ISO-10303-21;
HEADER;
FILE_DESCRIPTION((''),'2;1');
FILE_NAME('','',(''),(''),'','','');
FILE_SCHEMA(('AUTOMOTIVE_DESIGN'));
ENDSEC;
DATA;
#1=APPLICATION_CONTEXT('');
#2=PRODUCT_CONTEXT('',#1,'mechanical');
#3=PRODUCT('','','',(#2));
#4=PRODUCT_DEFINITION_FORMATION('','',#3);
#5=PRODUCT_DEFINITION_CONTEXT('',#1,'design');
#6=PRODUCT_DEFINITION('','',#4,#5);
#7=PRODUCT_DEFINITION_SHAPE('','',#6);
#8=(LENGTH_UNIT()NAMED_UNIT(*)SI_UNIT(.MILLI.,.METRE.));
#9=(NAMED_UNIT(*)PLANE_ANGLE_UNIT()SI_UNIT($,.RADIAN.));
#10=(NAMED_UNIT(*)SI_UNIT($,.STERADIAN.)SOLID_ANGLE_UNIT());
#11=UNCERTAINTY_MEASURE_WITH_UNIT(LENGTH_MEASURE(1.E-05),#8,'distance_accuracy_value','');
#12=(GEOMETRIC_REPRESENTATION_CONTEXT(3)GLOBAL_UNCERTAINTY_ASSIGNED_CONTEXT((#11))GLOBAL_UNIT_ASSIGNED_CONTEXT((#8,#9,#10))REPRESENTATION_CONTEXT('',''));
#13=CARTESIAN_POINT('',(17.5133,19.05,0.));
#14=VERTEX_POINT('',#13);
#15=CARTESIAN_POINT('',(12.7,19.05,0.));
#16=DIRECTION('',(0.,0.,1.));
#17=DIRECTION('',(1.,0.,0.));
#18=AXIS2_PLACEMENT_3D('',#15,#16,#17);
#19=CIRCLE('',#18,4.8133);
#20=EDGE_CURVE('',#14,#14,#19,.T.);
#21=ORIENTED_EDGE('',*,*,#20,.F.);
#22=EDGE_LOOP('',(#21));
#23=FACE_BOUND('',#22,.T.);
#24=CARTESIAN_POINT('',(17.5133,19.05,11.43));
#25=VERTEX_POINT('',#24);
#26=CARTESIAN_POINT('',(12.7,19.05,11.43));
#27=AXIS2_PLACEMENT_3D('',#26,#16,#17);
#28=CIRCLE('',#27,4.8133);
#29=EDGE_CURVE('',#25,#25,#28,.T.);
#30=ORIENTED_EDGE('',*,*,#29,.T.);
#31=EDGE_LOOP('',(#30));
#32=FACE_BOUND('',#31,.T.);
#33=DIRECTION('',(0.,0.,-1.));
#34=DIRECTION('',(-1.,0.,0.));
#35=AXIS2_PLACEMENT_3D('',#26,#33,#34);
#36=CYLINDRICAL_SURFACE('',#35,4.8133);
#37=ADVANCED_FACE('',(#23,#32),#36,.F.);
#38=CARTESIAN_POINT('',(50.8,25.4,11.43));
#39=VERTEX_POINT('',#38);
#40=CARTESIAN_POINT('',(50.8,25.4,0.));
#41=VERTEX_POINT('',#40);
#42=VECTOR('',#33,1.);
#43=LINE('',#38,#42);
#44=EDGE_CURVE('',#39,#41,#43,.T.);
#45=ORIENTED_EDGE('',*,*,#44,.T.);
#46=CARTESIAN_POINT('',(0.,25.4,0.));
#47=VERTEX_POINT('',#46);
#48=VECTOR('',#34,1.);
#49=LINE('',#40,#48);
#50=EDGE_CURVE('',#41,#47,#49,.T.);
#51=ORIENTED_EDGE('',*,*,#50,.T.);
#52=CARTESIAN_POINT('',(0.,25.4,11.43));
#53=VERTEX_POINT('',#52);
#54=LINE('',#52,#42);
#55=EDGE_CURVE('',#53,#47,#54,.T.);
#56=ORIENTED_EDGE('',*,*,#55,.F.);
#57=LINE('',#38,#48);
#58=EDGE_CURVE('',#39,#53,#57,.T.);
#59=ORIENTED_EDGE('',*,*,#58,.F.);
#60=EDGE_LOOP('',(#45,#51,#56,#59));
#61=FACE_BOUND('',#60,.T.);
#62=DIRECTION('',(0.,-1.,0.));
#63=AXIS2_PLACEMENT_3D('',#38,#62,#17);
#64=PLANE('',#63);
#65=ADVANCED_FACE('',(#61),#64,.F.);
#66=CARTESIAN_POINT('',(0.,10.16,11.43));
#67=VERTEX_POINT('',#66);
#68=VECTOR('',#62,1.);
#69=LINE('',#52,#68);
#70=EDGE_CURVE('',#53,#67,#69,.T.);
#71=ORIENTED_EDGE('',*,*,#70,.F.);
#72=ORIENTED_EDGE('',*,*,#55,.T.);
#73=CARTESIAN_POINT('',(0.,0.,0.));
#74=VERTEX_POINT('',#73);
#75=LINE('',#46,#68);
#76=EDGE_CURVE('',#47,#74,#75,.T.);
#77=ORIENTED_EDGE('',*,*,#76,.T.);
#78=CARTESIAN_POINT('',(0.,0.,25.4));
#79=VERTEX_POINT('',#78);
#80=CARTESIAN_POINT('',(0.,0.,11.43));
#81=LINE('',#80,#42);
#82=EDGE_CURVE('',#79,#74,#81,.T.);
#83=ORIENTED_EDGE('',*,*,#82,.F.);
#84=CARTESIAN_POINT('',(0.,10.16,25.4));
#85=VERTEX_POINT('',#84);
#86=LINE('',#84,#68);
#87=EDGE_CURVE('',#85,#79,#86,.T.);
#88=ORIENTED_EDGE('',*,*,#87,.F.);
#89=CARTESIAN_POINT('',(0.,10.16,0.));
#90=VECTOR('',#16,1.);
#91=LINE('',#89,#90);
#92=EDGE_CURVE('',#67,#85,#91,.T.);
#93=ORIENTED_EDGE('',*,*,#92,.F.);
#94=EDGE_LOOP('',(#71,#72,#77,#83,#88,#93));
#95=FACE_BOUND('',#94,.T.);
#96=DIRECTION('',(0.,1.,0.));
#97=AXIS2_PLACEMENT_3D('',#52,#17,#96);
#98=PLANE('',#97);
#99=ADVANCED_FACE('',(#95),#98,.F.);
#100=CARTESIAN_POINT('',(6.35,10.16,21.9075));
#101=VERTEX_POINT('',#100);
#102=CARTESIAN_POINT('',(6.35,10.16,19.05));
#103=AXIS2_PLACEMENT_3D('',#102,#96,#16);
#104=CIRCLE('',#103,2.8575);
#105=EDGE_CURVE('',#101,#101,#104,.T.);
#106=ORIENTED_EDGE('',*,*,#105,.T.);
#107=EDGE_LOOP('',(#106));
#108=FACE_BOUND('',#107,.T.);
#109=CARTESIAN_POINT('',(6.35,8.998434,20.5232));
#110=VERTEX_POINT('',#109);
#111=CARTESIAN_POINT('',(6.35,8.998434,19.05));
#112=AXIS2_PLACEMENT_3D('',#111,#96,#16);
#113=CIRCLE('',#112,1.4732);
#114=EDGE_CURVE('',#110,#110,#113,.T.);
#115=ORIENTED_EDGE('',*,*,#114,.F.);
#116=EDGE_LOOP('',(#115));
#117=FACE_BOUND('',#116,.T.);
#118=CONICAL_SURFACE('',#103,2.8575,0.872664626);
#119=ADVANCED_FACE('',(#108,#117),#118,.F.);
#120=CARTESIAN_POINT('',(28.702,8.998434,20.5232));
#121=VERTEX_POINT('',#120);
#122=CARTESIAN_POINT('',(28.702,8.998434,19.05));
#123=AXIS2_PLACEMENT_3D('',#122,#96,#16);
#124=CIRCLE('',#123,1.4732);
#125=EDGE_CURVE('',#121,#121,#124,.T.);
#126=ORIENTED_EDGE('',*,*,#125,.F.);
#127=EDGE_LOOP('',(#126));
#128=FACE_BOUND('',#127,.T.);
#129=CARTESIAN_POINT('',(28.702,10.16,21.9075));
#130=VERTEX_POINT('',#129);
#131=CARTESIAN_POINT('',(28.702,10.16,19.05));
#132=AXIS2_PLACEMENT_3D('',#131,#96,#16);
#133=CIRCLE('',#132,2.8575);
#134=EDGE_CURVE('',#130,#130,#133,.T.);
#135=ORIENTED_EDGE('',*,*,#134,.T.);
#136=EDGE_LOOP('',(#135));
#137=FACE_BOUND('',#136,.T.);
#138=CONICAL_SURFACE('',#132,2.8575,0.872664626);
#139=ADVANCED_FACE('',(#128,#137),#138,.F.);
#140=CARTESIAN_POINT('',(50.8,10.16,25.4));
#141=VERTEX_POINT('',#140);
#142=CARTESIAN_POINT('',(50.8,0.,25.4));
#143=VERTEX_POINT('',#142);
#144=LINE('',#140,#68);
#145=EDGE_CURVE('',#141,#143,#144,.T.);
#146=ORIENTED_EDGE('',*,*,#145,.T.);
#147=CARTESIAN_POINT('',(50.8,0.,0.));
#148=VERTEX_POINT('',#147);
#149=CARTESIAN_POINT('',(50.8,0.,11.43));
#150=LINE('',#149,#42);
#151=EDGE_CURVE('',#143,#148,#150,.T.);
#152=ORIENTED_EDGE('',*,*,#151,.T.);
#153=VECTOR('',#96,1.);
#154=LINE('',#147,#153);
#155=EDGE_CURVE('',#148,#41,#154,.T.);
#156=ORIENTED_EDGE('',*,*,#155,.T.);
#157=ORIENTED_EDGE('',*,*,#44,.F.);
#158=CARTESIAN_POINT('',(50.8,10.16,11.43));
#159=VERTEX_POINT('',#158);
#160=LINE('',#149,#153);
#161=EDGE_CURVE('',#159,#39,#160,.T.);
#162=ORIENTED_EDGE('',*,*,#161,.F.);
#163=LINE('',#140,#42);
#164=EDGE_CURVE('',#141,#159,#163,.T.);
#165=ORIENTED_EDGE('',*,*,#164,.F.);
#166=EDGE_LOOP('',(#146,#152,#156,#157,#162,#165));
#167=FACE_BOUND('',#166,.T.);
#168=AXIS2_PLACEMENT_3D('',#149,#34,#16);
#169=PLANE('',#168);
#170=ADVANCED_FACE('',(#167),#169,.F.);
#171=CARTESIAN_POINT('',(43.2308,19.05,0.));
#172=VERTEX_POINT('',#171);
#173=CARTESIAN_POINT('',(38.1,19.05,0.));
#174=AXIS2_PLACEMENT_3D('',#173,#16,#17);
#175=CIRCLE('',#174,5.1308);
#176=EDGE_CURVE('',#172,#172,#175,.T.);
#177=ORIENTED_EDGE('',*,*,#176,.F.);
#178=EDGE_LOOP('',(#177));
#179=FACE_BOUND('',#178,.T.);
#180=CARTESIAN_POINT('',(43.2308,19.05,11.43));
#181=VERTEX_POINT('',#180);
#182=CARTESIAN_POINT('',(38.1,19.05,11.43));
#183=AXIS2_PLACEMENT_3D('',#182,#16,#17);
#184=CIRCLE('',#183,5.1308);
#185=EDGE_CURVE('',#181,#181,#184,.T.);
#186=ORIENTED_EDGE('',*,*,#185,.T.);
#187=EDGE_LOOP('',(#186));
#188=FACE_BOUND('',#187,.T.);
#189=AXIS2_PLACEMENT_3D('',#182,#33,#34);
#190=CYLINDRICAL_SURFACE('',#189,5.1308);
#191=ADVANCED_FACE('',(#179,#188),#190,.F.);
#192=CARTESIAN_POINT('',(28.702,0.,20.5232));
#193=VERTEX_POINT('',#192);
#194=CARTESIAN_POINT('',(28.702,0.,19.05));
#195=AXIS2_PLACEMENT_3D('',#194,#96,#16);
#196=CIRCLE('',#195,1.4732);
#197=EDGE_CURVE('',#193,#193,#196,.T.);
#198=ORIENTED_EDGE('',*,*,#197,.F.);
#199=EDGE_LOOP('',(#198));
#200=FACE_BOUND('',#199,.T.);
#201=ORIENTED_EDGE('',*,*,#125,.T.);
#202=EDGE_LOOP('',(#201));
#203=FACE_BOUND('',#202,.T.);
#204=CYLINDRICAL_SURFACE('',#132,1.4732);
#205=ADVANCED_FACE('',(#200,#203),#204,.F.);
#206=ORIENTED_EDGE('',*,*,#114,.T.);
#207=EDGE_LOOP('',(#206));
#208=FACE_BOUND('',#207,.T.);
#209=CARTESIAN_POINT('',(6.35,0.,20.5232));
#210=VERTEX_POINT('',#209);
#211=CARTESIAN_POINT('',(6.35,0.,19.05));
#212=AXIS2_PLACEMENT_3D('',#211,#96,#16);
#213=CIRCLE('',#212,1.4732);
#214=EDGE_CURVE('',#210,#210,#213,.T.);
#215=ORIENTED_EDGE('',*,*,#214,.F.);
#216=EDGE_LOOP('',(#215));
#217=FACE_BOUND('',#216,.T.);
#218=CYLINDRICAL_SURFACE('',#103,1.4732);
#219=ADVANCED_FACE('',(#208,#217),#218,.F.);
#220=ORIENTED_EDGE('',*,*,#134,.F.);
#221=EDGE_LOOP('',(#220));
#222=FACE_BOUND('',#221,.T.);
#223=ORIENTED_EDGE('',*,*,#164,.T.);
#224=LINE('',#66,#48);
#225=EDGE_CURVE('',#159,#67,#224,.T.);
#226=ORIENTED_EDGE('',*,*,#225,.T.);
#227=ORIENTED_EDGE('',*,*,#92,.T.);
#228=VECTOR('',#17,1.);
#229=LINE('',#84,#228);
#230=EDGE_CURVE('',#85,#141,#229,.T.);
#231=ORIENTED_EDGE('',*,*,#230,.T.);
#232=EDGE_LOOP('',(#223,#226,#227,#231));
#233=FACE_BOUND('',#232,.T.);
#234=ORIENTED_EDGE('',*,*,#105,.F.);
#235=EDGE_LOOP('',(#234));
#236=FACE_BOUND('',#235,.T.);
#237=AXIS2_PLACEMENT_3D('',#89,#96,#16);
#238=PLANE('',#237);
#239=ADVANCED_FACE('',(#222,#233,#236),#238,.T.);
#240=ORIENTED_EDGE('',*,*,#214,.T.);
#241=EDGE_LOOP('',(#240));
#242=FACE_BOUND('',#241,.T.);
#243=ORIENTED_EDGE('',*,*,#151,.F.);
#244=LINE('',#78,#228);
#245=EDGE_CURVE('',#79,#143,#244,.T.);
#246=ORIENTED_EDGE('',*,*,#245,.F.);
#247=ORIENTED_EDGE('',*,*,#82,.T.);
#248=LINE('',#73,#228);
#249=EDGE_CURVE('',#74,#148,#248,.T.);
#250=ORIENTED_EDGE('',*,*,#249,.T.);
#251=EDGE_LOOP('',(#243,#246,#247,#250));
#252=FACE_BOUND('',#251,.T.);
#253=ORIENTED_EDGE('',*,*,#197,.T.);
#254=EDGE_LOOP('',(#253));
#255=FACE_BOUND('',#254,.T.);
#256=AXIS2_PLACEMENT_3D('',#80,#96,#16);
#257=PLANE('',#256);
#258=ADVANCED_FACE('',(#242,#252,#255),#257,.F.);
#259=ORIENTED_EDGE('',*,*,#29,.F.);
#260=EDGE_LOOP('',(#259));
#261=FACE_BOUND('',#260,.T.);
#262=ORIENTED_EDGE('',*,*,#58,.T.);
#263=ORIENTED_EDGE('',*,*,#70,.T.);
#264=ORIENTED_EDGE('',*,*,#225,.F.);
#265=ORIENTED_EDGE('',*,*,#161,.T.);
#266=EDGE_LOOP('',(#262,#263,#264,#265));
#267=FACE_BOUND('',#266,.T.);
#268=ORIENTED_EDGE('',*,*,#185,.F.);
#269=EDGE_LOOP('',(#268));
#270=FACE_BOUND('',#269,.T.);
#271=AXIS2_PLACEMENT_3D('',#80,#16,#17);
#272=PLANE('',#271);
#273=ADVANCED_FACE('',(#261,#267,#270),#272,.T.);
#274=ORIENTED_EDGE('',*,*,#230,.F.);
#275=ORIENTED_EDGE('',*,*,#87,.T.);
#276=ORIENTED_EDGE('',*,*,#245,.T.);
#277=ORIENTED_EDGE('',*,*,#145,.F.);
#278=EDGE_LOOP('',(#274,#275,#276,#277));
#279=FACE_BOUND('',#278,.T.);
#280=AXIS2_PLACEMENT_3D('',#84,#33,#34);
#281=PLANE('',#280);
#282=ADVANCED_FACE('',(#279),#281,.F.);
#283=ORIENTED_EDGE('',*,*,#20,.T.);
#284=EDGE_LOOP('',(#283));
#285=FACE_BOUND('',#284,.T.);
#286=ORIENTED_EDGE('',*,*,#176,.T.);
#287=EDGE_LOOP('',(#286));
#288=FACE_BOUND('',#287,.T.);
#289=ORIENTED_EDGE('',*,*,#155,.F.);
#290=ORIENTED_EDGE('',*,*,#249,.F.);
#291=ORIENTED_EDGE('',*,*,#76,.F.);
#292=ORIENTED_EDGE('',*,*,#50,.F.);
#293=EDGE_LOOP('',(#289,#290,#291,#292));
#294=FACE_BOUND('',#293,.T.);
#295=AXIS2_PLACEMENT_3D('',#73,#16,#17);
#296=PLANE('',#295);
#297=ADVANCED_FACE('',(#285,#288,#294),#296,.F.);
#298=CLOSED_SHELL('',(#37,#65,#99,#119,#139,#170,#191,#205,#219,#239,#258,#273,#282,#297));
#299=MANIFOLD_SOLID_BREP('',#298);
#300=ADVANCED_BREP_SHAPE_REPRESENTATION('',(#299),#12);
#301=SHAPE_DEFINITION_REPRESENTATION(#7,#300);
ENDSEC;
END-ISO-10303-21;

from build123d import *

# Parameters (mm, degrees)
SKETCH1_W                                         = 50.8
SKETCH1_H                                         = 25.4
SKETCH1_R                                         = 4.8133
SKETCH1_R_2                                       = 5.1308
BOSS_EXTRUDE1_DEPTH                               = 11.43
SKETCH2_W                                         = 50.8
SKETCH2_H                                         = 25.4
BOSS_EXTRUDE2_DEPTH                               = 10.16
CSK_FOR_4_FLAT_HEAD_MACHINE_SCREW_100_D           = 2.9464
CSK_FOR_4_FLAT_HEAD_MACHINE_SCREW_100_CSINK_D     = 5.715
CSK_FOR_4_FLAT_HEAD_MACHINE_SCREW_100_CSINK_ANGLE = 100


with BuildPart() as part:
    # Sketch1 → Boss-Extrude1 (new body)
    with BuildSketch(Plane.XY):
        with Locations((25.4, 12.7)):
            Rectangle(SKETCH1_W, SKETCH1_H)
        with Locations((12.7, 19.05)):
            Circle(SKETCH1_R, mode=Mode.SUBTRACT)
        with Locations((38.1, 19.05)):
            Circle(SKETCH1_R_2, mode=Mode.SUBTRACT)
    extrude(amount=BOSS_EXTRUDE1_DEPTH)

    # Sketch2 → Boss-Extrude2 (add)
    with BuildSketch(Plane(origin=(0, 0, 0), x_dir=(1, 0, 0), z_dir=(0, 1, 0))):
        with Locations((25.4, -12.7)):
            Rectangle(SKETCH2_W, SKETCH2_H)
    extrude(amount=BOSS_EXTRUDE2_DEPTH)

    # CSK for #4 Flat Head Machine Screw (100)1 (through all)
    with Locations(Plane(origin=(0, 10.16, 0), x_dir=(1, 0, 0), z_dir=(0, 1, 0))):
        with Locations((28.702, -19.05), (6.35, -19.05)):
            CounterSinkHole(CSK_FOR_4_FLAT_HEAD_MACHINE_SCREW_100_D / 2, CSK_FOR_4_FLAT_HEAD_MACHINE_SCREW_100_CSINK_D / 2, counter_sink_angle=CSK_FOR_4_FLAT_HEAD_MACHINE_SCREW_100_CSINK_ANGLE)


solid = part.part
